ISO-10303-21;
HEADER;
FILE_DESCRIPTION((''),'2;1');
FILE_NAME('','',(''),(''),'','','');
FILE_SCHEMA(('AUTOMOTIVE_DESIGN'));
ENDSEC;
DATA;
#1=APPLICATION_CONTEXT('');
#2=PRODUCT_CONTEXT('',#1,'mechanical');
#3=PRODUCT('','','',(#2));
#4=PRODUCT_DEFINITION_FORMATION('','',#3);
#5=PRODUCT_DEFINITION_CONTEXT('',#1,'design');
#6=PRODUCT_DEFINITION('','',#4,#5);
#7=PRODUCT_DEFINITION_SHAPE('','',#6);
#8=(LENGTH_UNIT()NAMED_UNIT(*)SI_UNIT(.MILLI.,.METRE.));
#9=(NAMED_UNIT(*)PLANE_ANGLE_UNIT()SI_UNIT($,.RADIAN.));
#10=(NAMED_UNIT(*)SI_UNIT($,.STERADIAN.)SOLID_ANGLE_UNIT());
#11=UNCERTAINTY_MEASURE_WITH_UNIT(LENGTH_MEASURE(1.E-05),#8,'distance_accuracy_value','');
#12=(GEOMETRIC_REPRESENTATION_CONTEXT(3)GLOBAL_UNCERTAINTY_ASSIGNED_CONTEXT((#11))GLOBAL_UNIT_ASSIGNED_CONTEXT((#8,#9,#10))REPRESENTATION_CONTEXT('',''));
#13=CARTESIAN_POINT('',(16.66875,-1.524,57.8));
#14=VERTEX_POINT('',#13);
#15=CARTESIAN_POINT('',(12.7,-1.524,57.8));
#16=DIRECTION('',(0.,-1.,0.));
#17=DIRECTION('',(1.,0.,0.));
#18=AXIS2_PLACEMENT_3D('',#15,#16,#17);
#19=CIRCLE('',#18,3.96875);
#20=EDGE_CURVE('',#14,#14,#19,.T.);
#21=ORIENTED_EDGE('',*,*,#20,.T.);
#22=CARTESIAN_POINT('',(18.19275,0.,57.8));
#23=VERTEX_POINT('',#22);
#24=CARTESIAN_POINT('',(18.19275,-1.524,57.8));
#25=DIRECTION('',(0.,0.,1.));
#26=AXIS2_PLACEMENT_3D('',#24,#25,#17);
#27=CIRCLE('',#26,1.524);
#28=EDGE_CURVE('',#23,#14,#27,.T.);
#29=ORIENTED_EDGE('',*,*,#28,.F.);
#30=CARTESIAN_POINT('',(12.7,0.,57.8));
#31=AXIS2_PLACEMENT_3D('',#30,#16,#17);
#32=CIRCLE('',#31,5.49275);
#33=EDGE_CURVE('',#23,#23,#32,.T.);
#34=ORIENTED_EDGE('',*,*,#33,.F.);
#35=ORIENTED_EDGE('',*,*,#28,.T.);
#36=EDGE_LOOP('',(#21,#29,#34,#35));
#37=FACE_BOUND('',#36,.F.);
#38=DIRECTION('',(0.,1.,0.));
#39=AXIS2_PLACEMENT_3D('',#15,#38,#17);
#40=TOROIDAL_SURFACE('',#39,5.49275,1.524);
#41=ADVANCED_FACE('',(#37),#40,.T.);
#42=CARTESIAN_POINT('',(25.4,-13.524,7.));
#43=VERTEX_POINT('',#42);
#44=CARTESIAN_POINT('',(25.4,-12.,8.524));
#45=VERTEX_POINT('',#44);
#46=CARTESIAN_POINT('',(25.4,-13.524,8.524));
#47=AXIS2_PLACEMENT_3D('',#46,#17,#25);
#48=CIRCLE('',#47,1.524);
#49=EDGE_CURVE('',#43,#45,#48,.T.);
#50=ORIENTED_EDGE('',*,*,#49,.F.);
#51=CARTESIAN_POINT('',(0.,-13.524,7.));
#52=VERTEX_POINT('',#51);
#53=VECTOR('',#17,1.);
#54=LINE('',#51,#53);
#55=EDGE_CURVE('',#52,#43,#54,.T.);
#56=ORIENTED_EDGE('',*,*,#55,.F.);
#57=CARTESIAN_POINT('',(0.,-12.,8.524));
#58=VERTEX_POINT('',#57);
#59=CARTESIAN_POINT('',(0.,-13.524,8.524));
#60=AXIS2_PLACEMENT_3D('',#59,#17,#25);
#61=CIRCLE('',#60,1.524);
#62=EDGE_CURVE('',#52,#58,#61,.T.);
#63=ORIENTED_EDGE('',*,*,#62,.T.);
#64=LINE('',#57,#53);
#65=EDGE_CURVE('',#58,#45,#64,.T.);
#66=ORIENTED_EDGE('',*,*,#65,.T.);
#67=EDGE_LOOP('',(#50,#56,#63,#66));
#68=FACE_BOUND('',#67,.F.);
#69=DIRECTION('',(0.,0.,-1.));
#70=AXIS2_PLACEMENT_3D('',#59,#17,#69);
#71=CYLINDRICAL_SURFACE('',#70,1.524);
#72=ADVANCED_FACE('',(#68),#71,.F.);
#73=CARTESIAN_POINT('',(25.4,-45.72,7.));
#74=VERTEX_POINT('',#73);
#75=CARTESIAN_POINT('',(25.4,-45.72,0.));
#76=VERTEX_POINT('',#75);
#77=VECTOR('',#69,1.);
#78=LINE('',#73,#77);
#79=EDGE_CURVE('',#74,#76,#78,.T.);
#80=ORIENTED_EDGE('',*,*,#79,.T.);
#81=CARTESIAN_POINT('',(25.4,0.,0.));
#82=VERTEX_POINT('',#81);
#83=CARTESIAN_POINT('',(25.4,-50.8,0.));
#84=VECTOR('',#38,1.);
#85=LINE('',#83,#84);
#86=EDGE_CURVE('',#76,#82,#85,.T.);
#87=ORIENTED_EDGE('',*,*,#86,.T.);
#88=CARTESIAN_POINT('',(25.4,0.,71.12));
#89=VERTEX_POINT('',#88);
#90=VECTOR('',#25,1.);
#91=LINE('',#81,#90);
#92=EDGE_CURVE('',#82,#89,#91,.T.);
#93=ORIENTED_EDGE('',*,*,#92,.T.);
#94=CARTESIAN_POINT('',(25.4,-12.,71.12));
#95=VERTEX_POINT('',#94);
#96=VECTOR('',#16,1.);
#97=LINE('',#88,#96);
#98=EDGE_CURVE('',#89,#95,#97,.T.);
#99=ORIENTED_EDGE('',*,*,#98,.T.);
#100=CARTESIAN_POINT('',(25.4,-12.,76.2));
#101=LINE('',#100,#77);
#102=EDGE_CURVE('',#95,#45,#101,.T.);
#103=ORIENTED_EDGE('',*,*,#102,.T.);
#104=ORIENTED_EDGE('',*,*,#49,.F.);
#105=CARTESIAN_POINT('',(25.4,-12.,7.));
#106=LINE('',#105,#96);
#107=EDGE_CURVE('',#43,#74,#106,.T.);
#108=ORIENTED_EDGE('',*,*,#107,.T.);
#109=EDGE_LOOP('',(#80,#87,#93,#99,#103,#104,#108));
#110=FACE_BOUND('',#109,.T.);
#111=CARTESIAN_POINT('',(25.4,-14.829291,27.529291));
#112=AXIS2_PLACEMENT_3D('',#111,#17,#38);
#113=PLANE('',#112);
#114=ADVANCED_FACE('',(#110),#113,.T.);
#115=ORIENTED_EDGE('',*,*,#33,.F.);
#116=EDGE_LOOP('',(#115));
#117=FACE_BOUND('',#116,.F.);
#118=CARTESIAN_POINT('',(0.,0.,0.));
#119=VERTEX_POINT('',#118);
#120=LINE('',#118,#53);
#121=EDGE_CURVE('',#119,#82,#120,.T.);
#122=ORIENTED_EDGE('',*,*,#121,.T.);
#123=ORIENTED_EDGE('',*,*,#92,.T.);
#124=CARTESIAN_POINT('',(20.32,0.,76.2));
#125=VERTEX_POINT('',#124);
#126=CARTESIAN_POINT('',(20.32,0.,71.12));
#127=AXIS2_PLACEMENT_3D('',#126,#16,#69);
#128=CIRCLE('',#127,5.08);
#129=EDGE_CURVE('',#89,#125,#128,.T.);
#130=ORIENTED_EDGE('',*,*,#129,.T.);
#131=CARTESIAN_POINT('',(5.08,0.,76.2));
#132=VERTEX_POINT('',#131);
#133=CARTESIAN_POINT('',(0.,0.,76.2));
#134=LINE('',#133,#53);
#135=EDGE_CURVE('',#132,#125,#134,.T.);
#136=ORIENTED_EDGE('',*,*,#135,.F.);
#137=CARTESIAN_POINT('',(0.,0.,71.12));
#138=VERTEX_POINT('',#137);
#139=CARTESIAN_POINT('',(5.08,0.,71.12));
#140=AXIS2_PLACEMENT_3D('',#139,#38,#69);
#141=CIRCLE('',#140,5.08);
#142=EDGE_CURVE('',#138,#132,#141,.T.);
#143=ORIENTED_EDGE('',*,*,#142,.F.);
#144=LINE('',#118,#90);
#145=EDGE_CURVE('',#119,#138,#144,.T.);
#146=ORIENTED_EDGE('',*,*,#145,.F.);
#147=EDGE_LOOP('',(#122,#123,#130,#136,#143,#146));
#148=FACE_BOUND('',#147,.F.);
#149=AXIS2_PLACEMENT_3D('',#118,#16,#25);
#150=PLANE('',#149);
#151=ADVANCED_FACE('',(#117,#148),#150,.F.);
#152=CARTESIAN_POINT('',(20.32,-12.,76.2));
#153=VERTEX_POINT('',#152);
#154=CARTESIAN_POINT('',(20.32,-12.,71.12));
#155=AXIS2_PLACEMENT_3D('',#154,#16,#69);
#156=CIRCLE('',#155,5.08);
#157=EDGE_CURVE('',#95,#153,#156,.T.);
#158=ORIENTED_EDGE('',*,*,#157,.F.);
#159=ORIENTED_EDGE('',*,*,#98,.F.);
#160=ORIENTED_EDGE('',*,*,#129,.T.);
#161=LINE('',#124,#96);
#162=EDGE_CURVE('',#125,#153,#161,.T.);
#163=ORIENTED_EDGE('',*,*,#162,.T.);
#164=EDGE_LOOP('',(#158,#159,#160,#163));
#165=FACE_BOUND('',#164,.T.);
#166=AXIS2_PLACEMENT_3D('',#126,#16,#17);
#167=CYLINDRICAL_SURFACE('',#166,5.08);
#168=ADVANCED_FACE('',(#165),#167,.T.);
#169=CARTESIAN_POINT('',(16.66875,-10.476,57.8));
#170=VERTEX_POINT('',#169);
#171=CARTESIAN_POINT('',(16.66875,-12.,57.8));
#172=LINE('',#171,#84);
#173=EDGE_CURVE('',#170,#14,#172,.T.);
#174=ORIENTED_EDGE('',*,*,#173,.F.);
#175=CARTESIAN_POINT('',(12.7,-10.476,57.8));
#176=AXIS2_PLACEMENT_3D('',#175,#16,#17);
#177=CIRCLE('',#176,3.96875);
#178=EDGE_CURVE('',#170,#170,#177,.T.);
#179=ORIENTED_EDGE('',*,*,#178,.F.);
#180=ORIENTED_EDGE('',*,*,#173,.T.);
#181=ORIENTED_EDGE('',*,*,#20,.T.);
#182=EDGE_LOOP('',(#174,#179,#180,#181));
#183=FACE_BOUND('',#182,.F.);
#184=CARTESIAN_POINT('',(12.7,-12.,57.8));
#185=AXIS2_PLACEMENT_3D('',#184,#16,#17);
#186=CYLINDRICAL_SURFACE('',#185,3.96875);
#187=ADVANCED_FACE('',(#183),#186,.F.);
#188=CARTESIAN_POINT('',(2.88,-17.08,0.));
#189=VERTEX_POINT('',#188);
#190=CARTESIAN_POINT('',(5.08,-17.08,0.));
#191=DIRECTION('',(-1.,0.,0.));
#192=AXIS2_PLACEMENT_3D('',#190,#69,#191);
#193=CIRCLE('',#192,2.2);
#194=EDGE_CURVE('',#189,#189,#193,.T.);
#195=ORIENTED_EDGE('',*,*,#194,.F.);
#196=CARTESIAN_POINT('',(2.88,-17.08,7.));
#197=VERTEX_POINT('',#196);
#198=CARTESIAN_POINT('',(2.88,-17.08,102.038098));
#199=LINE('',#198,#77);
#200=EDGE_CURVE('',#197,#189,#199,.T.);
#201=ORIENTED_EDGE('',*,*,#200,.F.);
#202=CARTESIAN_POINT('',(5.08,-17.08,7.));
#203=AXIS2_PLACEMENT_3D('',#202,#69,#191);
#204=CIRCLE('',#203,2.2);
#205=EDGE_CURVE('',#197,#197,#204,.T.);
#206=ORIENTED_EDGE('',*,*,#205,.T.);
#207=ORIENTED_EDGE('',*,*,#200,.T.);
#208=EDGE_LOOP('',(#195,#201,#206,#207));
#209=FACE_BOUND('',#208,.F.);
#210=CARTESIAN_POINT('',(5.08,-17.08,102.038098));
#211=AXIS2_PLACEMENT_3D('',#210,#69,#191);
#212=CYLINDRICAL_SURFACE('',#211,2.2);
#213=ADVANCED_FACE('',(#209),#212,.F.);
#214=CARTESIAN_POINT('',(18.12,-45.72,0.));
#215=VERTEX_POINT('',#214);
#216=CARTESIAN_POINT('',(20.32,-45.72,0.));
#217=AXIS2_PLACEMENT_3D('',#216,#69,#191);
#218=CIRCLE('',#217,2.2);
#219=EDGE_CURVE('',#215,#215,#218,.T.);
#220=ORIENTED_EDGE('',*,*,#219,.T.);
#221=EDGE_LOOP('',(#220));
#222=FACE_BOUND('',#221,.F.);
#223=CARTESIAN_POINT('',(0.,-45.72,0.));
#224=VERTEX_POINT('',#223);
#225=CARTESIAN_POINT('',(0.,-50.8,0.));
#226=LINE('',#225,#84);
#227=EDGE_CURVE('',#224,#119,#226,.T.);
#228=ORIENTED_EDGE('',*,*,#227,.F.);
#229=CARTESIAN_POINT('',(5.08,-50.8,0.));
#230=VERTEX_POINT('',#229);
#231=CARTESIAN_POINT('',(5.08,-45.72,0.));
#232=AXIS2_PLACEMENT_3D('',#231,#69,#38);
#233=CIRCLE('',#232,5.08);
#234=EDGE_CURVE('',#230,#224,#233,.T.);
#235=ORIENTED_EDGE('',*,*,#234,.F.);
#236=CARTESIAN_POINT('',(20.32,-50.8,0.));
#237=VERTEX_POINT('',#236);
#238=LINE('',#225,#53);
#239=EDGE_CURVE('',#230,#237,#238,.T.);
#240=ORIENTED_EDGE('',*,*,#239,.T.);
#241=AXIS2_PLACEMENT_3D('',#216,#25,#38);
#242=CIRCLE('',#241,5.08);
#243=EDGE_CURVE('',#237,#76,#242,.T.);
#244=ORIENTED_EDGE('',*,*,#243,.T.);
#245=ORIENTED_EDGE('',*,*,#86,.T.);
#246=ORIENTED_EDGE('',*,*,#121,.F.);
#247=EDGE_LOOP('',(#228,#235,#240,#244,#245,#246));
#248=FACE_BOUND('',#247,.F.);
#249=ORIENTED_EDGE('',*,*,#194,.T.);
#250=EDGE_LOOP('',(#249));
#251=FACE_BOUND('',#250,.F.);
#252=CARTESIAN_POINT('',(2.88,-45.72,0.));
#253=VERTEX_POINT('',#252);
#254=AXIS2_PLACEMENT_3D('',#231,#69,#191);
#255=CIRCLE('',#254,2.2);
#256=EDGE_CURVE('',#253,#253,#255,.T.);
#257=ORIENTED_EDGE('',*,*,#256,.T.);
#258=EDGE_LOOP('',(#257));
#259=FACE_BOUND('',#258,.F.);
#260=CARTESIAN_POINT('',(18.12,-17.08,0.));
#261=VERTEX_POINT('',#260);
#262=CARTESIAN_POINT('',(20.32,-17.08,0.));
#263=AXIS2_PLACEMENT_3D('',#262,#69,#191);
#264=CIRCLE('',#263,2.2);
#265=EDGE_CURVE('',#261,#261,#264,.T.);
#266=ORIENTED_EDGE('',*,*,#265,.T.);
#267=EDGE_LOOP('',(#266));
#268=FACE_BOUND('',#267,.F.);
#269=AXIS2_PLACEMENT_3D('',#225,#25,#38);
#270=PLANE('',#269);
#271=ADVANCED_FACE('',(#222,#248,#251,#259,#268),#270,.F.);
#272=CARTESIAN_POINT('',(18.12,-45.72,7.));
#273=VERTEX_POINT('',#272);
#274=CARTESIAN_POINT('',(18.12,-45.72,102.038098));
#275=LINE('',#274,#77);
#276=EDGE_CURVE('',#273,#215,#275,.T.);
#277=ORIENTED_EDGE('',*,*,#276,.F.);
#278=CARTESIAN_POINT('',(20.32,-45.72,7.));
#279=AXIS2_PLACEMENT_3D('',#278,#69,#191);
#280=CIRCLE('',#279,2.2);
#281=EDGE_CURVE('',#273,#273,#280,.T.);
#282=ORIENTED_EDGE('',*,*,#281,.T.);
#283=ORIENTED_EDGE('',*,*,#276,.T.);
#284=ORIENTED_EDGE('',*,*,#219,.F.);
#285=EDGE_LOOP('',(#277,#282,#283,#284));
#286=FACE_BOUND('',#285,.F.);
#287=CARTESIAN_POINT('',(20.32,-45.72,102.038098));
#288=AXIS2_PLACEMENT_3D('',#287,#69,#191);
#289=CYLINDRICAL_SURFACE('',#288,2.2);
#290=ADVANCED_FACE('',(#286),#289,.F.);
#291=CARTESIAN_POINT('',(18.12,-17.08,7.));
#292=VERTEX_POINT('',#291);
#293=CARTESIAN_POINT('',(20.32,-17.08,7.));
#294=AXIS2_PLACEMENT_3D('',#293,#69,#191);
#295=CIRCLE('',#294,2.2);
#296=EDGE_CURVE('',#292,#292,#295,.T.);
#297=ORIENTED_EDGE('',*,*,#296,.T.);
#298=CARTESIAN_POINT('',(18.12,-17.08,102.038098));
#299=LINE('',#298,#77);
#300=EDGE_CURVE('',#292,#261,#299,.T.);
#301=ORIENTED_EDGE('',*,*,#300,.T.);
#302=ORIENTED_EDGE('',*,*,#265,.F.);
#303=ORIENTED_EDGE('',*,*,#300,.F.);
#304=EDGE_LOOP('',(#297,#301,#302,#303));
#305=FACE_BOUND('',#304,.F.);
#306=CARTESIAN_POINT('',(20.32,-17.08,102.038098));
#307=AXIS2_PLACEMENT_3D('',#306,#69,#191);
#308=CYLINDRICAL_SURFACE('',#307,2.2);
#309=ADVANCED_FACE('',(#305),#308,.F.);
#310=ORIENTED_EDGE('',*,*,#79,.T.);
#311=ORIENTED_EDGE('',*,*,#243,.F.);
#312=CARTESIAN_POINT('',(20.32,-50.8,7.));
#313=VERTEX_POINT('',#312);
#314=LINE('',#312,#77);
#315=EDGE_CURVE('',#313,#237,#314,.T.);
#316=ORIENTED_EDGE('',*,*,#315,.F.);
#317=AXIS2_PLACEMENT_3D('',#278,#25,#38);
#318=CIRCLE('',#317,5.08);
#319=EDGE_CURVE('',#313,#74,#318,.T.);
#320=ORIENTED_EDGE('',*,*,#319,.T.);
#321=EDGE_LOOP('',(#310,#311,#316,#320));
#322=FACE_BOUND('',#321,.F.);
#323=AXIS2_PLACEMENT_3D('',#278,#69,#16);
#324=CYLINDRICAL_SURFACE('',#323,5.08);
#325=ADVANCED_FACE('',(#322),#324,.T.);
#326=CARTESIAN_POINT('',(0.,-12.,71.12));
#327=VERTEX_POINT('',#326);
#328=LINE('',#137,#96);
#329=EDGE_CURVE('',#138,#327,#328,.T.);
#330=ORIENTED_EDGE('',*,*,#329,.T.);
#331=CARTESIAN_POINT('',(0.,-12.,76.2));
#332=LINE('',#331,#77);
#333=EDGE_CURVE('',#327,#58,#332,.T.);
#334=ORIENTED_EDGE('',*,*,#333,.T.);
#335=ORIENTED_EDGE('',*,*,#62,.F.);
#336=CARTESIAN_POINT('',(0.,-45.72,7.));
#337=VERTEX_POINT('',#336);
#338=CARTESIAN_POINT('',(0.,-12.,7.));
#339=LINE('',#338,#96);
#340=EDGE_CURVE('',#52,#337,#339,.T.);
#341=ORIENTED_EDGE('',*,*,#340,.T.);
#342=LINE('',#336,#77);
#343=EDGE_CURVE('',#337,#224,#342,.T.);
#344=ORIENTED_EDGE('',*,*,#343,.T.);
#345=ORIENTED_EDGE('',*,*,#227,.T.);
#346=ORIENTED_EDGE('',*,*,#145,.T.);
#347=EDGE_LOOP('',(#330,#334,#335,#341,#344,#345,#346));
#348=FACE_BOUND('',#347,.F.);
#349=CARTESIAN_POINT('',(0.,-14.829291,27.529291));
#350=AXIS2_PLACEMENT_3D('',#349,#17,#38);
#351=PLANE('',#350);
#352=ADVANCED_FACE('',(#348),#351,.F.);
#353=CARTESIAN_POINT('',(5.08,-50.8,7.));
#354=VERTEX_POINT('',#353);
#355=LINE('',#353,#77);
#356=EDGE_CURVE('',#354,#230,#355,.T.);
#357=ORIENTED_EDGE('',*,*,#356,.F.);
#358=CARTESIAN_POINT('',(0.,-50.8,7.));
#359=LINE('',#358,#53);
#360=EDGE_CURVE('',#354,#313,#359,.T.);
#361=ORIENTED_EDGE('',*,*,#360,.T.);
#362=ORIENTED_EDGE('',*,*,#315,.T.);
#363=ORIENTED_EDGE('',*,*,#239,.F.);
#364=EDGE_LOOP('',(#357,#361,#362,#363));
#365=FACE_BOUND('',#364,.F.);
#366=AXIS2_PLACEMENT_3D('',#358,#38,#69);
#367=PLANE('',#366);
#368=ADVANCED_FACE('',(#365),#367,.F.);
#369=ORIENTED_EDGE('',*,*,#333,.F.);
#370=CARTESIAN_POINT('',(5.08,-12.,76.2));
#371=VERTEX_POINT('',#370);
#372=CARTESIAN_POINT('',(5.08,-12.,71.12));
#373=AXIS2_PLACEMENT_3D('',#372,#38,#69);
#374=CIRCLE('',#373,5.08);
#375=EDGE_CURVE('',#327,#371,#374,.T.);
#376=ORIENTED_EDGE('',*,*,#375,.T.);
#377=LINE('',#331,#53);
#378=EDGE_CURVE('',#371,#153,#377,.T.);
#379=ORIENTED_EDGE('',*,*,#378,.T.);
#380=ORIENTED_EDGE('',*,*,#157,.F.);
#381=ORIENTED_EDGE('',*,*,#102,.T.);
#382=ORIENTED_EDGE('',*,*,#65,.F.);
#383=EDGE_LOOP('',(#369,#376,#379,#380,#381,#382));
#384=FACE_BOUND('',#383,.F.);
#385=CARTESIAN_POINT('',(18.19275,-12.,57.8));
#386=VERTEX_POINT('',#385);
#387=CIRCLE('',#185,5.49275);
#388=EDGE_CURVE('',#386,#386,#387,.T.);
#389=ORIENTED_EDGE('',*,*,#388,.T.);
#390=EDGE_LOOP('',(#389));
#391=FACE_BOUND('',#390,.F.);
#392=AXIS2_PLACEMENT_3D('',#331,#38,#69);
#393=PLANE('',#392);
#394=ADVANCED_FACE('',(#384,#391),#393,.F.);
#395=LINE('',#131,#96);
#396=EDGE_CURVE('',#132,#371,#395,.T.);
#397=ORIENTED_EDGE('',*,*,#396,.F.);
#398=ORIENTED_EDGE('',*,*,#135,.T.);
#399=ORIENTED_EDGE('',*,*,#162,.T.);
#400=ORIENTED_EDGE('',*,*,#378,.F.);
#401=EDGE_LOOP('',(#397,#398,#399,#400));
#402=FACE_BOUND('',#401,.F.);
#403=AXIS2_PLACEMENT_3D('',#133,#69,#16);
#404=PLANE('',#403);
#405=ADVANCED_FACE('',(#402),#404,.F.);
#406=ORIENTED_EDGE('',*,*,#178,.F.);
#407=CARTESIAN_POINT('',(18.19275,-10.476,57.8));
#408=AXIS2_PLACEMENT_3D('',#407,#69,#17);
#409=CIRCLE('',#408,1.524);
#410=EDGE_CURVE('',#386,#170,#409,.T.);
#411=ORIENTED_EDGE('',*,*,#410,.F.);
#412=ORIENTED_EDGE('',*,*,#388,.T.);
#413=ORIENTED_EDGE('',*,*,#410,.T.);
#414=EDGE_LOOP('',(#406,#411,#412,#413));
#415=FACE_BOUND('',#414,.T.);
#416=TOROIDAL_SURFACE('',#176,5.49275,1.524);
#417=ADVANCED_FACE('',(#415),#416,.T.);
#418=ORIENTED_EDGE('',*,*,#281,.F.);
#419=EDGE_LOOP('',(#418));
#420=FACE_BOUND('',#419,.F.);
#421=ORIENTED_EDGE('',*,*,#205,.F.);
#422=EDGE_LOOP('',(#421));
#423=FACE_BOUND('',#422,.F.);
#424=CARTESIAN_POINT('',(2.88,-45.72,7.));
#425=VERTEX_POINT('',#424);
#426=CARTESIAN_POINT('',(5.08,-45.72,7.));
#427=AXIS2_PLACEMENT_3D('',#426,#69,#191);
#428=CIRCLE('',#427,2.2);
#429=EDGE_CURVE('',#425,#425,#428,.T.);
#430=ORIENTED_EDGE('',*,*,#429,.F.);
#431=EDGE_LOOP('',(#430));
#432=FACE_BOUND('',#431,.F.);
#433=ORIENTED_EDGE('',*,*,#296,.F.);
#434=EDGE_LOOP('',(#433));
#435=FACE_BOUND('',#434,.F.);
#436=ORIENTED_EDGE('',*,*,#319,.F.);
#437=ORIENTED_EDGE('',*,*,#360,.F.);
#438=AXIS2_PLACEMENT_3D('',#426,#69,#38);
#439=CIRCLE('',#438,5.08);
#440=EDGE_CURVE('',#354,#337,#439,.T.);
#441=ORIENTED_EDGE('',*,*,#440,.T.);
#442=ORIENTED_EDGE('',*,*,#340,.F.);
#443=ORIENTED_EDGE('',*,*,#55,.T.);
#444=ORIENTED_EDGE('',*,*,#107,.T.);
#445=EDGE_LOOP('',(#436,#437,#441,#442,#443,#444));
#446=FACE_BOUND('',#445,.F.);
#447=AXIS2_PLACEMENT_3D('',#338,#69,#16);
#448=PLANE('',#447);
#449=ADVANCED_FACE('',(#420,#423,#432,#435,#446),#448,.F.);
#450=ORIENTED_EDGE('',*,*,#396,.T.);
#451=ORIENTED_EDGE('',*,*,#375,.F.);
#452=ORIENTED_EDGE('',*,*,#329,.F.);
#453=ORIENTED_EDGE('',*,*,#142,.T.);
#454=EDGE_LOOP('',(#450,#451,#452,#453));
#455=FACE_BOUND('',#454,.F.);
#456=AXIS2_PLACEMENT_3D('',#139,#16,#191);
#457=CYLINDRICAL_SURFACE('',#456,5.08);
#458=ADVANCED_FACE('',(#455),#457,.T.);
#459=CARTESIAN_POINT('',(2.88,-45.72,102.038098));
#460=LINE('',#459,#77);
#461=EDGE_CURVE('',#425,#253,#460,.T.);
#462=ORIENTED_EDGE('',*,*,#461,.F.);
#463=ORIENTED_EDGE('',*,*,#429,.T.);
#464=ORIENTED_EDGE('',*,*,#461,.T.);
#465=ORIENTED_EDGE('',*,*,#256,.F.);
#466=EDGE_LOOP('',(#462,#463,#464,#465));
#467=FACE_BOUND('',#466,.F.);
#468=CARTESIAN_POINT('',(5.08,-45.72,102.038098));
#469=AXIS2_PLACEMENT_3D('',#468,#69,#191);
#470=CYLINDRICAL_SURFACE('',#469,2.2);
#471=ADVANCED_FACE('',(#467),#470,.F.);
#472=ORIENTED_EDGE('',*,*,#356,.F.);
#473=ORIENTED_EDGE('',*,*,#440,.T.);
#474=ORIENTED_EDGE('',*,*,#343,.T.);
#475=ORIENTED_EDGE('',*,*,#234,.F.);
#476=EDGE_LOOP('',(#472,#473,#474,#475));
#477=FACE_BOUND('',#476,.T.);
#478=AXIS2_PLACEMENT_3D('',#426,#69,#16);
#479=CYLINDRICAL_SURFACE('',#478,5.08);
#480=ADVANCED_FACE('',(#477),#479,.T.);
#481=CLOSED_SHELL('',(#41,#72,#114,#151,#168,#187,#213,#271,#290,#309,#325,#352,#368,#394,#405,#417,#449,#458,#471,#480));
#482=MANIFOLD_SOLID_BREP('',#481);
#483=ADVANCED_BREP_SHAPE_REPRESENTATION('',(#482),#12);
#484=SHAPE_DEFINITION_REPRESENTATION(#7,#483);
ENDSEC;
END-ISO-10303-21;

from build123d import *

# Parameters (mm, degrees)
F1_DEPTH = 25.4
F3_D     = 4.4
F4_R     = 3.96875
F5_DEPTH = 25.4
F6_R     = 5.08
F7_R     = 1.524


with BuildPart() as f1:
    # F0 (on Right) → F1 (new body)
    with BuildSketch(Plane.YZ):
        Polygon((-50.8, 7), (-50.8, 0), (0, 0), (0, 76.2), (-12, 76.2), (-12, 7), align=None)
    extrude(amount=F1_DEPTH)

    # F3 (through all)
    with Locations(Plane.XY.offset(7)):
        with Locations((20.32, -17.08), (5.08, -17.08), (5.08, -45.72), (20.32, -45.72)):
            Hole(F3_D / 2)

    # F4 (on face) → F5 (cut)
    with BuildSketch(Plane.XZ.offset(12)):
        with Locations((12.7, 57.8)):
            Circle(F4_R)
    extrude(amount=-F5_DEPTH, mode=Mode.SUBTRACT)

    # F6
    f6_edges = [f1.edges().sort_by_distance(p)[0] for p in [
        (25.4, -6, 76.2),
        (0, -6, 76.2),
        (25.4, -50.8, 3.5),
        (0, -50.8, 3.5),
    ]]
    fillet(f6_edges, radius=F6_R)

    # F7
    f7_edges = [f1.edges().sort_by_distance(p)[0] for p in [
        (12.7, -12, 7),
        (8.73125, -12, 57.8),
        (8.73125, 0, 57.8),
    ]]
    fillet(f7_edges, radius=F7_R)


solid = f1.part
